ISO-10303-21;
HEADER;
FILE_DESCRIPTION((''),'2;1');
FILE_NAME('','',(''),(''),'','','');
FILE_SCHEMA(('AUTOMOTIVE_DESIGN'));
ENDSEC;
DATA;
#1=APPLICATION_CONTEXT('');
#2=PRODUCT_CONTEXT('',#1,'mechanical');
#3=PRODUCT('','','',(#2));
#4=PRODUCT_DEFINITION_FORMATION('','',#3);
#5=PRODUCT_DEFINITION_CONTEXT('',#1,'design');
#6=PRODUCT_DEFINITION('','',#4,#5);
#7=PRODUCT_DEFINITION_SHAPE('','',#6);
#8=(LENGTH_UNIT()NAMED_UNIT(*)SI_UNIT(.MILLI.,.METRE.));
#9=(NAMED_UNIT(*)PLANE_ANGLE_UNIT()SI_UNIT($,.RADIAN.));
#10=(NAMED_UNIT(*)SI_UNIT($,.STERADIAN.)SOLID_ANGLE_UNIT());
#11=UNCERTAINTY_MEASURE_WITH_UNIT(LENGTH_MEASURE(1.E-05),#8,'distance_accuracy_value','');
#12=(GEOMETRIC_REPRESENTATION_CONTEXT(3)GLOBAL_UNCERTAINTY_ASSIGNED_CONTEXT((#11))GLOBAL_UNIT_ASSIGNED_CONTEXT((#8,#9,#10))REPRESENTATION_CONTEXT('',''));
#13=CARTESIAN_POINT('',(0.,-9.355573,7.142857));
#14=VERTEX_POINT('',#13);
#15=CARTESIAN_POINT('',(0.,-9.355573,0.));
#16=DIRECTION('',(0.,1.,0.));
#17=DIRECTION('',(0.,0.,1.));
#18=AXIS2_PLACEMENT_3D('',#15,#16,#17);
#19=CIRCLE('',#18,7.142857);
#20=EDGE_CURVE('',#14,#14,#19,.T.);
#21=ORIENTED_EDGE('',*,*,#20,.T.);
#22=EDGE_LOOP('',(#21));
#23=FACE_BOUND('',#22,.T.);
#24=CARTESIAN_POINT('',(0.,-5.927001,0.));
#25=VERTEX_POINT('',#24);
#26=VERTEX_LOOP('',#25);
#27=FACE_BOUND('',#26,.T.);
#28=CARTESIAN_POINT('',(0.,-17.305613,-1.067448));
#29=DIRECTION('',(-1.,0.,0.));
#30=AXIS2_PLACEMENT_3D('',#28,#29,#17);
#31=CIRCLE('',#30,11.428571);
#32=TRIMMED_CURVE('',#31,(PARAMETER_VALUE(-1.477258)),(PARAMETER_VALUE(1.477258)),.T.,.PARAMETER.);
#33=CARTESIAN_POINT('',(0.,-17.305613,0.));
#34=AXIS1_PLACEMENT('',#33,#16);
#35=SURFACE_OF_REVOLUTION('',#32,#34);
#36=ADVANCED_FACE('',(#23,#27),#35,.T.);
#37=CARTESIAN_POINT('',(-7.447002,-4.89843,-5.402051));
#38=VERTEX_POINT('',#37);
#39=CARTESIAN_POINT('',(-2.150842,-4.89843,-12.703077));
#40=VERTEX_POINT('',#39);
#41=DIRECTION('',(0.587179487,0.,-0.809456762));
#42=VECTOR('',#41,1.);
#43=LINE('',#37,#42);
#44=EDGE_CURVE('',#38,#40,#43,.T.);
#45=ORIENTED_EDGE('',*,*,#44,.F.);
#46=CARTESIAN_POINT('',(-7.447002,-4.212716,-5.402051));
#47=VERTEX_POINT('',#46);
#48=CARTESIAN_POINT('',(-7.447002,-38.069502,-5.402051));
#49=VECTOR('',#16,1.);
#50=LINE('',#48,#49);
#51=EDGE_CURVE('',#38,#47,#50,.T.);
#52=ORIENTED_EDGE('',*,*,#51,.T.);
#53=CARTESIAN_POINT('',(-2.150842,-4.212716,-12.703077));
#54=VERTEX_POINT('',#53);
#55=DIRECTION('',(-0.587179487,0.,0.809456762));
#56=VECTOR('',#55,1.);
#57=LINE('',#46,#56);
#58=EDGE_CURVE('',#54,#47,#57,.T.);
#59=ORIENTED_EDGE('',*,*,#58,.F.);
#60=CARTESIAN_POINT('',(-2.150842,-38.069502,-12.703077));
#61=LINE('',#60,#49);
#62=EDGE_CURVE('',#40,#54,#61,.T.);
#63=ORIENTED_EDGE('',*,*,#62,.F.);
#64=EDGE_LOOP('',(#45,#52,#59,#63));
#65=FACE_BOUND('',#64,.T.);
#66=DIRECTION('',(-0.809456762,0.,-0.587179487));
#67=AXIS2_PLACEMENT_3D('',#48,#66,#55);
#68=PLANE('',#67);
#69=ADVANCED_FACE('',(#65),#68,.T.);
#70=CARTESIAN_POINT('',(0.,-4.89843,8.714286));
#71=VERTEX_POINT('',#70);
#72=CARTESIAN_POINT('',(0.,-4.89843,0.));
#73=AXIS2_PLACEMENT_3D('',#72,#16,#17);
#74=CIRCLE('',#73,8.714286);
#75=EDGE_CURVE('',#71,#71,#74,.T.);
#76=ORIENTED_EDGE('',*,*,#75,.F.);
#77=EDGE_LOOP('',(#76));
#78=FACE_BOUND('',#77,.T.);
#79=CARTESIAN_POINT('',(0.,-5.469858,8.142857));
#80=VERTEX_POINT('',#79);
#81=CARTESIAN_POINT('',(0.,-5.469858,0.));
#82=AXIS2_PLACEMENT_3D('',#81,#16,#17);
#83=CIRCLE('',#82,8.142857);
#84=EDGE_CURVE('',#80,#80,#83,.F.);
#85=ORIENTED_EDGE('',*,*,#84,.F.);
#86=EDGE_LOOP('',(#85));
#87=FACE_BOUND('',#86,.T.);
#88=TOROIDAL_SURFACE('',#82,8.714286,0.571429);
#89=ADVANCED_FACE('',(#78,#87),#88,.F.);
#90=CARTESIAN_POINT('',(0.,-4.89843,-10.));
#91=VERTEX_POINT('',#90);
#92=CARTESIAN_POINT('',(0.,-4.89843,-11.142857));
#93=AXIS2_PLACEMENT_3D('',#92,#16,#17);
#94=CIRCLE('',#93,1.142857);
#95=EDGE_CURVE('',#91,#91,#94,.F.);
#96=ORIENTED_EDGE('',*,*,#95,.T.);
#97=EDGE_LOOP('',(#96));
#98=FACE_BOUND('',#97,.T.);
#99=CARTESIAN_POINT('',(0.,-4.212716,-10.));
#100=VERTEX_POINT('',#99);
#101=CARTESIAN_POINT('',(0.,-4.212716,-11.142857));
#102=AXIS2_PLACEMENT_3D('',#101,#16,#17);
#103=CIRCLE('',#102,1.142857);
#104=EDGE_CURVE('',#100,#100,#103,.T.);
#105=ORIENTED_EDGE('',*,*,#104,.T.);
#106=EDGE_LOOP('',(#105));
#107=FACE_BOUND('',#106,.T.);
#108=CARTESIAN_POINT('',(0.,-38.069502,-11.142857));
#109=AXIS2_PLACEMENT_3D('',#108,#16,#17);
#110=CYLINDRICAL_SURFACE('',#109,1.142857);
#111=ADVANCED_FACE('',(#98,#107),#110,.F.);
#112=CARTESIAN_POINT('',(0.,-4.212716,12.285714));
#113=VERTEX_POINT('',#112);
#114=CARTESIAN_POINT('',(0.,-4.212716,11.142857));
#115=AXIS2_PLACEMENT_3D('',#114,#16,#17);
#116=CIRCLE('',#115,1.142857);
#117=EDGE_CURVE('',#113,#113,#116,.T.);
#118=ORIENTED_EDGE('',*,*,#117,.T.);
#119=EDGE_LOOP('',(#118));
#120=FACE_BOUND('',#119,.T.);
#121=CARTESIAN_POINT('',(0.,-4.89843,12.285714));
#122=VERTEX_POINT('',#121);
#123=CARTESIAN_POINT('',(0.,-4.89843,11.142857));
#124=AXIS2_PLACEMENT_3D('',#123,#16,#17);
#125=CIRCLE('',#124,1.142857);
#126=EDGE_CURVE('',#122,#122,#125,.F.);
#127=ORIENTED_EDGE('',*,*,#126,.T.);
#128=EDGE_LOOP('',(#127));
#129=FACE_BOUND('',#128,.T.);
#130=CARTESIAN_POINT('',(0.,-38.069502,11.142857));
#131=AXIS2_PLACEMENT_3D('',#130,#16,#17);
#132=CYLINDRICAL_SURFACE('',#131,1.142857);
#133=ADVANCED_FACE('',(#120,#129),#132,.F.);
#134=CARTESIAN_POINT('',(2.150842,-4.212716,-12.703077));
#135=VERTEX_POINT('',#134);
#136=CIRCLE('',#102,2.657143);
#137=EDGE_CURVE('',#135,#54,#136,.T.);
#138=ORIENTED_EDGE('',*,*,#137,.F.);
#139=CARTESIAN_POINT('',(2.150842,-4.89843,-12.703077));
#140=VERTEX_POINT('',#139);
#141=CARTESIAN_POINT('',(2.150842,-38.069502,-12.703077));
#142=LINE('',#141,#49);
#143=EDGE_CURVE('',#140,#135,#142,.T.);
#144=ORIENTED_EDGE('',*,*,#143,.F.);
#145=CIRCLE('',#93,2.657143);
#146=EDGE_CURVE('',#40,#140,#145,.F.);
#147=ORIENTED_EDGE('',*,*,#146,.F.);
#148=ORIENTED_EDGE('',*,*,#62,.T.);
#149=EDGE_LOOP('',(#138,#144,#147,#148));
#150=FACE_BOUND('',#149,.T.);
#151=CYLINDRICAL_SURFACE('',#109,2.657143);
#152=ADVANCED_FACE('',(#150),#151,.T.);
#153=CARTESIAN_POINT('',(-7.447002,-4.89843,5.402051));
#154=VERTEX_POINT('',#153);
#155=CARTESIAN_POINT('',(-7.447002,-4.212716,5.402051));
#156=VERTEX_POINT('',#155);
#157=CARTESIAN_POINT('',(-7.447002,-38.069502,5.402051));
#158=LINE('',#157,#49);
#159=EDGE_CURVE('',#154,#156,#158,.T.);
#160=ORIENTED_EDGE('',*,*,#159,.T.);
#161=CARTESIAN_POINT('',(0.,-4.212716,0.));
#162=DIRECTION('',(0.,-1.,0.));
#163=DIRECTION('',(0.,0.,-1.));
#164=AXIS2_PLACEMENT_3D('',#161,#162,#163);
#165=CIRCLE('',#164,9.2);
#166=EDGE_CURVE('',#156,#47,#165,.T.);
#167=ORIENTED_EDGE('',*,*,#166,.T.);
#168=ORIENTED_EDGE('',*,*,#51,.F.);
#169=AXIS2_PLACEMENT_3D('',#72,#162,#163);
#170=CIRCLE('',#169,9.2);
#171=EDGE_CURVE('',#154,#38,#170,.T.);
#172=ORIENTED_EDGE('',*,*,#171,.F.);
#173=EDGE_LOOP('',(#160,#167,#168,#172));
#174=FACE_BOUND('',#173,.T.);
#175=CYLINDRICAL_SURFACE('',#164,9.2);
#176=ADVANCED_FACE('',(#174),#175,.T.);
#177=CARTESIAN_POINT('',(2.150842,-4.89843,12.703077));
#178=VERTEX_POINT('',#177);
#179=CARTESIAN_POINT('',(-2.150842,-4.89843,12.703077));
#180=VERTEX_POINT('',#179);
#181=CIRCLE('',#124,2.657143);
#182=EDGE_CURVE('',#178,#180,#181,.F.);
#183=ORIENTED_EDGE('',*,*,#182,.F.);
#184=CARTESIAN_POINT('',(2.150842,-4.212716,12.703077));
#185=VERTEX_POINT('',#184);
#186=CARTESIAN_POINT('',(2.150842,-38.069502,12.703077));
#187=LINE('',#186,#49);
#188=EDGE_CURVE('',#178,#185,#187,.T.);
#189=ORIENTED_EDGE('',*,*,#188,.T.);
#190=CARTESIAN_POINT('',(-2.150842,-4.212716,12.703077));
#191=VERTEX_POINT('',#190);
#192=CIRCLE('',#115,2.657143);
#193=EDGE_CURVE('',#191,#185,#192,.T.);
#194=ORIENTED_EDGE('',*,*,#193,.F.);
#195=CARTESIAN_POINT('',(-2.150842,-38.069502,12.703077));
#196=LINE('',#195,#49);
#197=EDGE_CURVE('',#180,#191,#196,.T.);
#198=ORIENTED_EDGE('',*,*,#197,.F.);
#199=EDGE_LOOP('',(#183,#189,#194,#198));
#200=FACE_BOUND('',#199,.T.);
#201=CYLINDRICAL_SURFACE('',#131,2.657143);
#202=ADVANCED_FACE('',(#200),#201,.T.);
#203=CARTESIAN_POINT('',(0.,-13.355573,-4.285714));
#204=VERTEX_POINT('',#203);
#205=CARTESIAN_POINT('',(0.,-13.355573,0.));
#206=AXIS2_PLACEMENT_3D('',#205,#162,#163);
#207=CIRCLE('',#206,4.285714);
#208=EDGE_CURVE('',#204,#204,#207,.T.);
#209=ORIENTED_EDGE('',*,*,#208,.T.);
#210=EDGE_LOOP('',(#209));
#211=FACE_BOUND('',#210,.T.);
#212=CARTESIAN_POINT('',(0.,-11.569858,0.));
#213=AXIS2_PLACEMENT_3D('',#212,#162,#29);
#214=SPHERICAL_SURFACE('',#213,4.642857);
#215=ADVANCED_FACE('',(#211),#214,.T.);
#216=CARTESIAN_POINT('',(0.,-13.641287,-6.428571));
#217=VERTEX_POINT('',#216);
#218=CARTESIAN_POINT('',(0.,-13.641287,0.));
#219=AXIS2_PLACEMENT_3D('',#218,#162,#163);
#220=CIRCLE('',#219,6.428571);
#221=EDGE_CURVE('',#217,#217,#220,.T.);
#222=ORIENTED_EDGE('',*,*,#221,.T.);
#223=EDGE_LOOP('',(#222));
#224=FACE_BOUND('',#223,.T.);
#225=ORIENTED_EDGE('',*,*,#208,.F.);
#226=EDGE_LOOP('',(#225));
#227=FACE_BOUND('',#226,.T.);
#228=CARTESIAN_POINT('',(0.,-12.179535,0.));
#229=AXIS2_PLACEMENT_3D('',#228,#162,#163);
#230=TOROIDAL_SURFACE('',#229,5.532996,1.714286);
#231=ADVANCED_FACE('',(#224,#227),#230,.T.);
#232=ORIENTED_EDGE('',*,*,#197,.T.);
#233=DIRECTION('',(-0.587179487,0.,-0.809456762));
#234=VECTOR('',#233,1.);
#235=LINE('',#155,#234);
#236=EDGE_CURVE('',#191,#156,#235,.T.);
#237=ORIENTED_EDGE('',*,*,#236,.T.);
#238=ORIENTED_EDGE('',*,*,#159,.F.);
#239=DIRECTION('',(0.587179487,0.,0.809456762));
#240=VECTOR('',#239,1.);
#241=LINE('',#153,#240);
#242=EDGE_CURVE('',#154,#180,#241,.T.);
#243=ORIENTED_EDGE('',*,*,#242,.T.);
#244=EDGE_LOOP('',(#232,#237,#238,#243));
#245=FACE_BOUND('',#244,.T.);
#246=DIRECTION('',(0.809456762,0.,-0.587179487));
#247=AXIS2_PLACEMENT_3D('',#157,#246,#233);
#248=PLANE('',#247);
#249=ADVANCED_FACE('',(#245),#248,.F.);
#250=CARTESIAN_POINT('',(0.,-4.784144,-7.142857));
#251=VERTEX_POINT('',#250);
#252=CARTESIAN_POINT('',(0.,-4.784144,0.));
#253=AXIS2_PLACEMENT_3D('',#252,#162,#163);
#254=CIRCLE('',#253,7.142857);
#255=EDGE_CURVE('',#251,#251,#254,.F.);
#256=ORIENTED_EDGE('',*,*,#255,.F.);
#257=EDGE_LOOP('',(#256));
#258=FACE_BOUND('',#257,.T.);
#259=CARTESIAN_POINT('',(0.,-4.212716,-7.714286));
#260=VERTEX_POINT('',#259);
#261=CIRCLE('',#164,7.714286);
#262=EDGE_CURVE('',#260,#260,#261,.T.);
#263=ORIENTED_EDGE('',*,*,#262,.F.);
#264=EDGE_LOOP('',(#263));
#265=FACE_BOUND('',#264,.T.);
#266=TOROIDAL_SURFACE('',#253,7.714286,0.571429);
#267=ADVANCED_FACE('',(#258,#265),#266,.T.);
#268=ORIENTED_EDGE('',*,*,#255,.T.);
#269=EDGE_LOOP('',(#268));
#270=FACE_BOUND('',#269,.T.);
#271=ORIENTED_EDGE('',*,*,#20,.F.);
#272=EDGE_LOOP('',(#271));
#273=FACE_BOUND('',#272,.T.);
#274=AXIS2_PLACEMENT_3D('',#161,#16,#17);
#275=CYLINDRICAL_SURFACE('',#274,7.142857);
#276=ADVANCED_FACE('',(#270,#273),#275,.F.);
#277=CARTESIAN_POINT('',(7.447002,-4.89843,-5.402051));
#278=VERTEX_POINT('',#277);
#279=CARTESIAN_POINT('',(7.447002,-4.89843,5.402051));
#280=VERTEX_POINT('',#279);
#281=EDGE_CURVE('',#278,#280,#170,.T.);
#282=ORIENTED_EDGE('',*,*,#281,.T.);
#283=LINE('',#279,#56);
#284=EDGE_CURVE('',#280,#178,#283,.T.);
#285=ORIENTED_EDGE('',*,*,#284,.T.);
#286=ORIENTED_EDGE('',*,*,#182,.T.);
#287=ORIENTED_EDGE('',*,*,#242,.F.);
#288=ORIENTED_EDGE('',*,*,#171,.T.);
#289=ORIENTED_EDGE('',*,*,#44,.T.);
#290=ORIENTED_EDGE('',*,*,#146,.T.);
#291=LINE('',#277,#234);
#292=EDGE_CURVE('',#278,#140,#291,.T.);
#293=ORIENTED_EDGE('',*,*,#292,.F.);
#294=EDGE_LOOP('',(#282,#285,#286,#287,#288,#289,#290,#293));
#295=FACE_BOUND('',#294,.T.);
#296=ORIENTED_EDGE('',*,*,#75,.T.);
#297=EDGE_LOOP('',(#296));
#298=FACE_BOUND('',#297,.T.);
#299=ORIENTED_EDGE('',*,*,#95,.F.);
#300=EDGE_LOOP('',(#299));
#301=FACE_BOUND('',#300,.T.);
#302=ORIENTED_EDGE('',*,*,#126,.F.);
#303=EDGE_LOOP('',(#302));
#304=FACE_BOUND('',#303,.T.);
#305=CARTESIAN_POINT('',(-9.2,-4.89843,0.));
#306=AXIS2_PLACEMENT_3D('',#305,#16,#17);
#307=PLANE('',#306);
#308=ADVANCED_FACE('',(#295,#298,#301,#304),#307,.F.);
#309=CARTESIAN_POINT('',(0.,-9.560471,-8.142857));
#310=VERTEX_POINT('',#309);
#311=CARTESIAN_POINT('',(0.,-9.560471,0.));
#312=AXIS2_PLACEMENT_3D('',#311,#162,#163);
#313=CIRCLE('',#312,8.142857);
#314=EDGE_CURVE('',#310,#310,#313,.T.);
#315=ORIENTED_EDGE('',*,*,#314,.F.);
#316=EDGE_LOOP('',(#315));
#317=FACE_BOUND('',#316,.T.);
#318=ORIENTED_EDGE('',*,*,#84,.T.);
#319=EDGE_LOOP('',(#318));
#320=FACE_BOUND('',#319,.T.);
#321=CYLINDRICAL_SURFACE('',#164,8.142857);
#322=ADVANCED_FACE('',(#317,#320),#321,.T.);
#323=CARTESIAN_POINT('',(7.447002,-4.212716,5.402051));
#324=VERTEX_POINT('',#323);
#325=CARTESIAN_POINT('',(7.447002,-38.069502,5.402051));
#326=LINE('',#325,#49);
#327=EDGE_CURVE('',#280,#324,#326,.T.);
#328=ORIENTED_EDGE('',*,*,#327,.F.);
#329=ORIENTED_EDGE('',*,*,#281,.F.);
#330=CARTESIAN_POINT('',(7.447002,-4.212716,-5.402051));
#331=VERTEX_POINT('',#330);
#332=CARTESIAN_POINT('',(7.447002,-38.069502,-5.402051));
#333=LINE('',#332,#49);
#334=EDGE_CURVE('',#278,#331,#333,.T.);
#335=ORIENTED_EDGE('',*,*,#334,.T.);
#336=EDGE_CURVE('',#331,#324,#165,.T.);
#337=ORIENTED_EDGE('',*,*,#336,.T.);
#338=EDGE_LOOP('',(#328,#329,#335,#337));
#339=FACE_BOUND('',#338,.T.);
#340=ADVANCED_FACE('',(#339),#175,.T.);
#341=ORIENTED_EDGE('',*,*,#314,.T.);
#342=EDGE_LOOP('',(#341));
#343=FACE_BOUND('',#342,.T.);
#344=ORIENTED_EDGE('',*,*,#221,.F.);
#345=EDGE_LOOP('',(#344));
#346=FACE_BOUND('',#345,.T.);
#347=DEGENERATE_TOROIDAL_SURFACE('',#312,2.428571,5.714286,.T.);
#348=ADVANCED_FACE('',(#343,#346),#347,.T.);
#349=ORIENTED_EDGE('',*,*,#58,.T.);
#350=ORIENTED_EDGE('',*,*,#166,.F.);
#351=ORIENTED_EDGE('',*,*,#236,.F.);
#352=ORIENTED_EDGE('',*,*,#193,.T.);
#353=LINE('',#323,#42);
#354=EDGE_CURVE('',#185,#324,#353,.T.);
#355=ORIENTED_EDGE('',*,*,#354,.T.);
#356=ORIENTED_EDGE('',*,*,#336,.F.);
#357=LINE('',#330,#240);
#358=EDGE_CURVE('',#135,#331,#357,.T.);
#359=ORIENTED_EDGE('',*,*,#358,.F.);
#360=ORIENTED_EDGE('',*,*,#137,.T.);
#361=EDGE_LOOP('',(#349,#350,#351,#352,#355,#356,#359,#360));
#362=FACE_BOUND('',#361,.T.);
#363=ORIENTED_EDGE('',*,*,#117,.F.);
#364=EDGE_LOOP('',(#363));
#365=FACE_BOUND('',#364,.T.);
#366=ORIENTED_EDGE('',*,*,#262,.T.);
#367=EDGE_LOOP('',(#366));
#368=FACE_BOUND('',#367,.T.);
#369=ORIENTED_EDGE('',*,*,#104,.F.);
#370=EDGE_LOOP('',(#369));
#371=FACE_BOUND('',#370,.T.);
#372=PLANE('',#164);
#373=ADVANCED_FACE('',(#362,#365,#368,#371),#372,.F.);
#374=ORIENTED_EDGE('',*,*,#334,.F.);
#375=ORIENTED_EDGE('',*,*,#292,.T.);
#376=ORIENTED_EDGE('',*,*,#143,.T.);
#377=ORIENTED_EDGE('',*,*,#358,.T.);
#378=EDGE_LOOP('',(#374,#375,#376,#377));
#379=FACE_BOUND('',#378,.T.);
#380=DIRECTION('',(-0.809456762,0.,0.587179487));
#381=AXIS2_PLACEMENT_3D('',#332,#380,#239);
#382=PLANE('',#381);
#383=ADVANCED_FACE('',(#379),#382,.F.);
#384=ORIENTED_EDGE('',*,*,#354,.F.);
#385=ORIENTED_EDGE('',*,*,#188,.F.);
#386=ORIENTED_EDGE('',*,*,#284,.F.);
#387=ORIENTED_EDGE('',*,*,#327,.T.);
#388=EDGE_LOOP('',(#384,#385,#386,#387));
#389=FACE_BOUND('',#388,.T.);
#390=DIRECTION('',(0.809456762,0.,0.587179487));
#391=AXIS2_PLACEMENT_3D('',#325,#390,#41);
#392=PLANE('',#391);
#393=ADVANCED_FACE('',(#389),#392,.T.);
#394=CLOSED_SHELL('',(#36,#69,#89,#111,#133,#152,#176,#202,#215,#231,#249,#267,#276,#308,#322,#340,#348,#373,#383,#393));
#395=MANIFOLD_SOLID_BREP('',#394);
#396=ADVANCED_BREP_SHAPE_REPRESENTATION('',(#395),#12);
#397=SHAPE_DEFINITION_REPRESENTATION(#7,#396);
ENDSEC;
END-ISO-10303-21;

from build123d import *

# Parameters (mm, degrees)
ESBO_O2_R                = 2
RESSALTO_EXTRUS_O1_DEPTH = 1.2
FILETE1_R                = 1
FILETE2_R                = 1
ESCALA1_SCALE            = 0.571428571


with BuildPart() as part:
    # Esboço1 → Revolução1 (revolve)
    with BuildSketch(Plane.XY):
        with BuildLine():
            Line((0, 0), (-16.1, 0))
            Line((-16.1, 0), (-16.1, -1.2))
            Line((-16.1, -1.2), (-14.25, -1.2))
            Line((-14.25, -1.2), (-14.25, -9.358571571))
            ThreePointArc((-14.25, -9.358571571), (-13.469544457, -13.231554918), (-11.25, -16.5))
            ThreePointArc((-11.25, -16.5), (-9.286251005, -16.915617464), (-7.5, -16))
            ThreePointArc((-7.5, -16), (-4.506939094, -19.635408641), (0, -21))
            Line((0, -21), (0, 0))
        make_face()
    revolve(axis=Axis((0, 0, 0), (0, 1, 0)))

    # Esboço2 → Ressalto-extrusão1 (add)
    with BuildSketch(Plane(origin=(0, 0, 0), x_dir=(1, 0, 0), z_dir=(0, 1, 0))):
        with BuildLine():
            Line((13.032253871, 9.453589744), (3.763973944, 22.230384615))
            ThreePointArc((3.763973944, 22.230384615), (0, 24.15), (-3.763973944, 22.230384615))
            Line((-3.763973944, 22.230384615), (-13.032253871, 9.453589744))
            ThreePointArc((-13.032253871, 9.453589744), (0, 16.1), (13.032253871, 9.453589744))
        make_face()
        with Locations((0, 19.5)):
            Circle(ESBO_O2_R, mode=Mode.SUBTRACT)
        with BuildLine():
            Line((3.763973944, -22.230384615), (13.032253871, -9.453589744))
            ThreePointArc((13.032253871, -9.453589744), (0, -16.1), (-13.032253871, -9.453589744))
            Line((-13.032253871, -9.453589744), (-3.763973944, -22.230384615))
            ThreePointArc((-3.763973944, -22.230384615), (0, -24.15), (3.763973944, -22.230384615))
        make_face()
        with Locations((0, -19.5)):
            Circle(ESBO_O2_R, mode=Mode.SUBTRACT)
    extrude(amount=-RESSALTO_EXTRUS_O1_DEPTH)

    # Esboço3 → Corte-Revolução1 (revolve, cut)
    with BuildSketch(Plane(origin=(0, 0, 0), x_dir=(0, 0, -1), z_dir=(1, 0, 0))):
        with BuildLine():
            Line((-12.5, 0), (-12.5, -9))
            ThreePointArc((-12.5, -9), (-6.786587677, -4.882109006), (0, -3))
            Line((0, -3), (0, 0))
            Line((0, 0), (-12.5, 0))
        make_face()
    revolve(axis=Axis((0, 0, 0), (0, -1, 0)), mode=Mode.SUBTRACT)

    # Filete1
    filete1_edges = [part.edges().sort_by_distance(p)[0] for p in [
        (0, 0, -12.5),
    ]]
    fillet(filete1_edges, radius=FILETE1_R)

    # Filete2
    filete2_edges = [part.edges().sort_by_distance(p)[0] for p in [
        (14.25, -1.2, 0),
    ]]
    fillet(filete2_edges, radius=FILETE2_R)


with BuildPart() as part_1:
    # Escala1: scaled about (0, -9.829669645, 0)
    add(part.part.scale(ESCALA1_SCALE).moved(Location((0, -4.212715562, 0))))


solid = part_1.part
